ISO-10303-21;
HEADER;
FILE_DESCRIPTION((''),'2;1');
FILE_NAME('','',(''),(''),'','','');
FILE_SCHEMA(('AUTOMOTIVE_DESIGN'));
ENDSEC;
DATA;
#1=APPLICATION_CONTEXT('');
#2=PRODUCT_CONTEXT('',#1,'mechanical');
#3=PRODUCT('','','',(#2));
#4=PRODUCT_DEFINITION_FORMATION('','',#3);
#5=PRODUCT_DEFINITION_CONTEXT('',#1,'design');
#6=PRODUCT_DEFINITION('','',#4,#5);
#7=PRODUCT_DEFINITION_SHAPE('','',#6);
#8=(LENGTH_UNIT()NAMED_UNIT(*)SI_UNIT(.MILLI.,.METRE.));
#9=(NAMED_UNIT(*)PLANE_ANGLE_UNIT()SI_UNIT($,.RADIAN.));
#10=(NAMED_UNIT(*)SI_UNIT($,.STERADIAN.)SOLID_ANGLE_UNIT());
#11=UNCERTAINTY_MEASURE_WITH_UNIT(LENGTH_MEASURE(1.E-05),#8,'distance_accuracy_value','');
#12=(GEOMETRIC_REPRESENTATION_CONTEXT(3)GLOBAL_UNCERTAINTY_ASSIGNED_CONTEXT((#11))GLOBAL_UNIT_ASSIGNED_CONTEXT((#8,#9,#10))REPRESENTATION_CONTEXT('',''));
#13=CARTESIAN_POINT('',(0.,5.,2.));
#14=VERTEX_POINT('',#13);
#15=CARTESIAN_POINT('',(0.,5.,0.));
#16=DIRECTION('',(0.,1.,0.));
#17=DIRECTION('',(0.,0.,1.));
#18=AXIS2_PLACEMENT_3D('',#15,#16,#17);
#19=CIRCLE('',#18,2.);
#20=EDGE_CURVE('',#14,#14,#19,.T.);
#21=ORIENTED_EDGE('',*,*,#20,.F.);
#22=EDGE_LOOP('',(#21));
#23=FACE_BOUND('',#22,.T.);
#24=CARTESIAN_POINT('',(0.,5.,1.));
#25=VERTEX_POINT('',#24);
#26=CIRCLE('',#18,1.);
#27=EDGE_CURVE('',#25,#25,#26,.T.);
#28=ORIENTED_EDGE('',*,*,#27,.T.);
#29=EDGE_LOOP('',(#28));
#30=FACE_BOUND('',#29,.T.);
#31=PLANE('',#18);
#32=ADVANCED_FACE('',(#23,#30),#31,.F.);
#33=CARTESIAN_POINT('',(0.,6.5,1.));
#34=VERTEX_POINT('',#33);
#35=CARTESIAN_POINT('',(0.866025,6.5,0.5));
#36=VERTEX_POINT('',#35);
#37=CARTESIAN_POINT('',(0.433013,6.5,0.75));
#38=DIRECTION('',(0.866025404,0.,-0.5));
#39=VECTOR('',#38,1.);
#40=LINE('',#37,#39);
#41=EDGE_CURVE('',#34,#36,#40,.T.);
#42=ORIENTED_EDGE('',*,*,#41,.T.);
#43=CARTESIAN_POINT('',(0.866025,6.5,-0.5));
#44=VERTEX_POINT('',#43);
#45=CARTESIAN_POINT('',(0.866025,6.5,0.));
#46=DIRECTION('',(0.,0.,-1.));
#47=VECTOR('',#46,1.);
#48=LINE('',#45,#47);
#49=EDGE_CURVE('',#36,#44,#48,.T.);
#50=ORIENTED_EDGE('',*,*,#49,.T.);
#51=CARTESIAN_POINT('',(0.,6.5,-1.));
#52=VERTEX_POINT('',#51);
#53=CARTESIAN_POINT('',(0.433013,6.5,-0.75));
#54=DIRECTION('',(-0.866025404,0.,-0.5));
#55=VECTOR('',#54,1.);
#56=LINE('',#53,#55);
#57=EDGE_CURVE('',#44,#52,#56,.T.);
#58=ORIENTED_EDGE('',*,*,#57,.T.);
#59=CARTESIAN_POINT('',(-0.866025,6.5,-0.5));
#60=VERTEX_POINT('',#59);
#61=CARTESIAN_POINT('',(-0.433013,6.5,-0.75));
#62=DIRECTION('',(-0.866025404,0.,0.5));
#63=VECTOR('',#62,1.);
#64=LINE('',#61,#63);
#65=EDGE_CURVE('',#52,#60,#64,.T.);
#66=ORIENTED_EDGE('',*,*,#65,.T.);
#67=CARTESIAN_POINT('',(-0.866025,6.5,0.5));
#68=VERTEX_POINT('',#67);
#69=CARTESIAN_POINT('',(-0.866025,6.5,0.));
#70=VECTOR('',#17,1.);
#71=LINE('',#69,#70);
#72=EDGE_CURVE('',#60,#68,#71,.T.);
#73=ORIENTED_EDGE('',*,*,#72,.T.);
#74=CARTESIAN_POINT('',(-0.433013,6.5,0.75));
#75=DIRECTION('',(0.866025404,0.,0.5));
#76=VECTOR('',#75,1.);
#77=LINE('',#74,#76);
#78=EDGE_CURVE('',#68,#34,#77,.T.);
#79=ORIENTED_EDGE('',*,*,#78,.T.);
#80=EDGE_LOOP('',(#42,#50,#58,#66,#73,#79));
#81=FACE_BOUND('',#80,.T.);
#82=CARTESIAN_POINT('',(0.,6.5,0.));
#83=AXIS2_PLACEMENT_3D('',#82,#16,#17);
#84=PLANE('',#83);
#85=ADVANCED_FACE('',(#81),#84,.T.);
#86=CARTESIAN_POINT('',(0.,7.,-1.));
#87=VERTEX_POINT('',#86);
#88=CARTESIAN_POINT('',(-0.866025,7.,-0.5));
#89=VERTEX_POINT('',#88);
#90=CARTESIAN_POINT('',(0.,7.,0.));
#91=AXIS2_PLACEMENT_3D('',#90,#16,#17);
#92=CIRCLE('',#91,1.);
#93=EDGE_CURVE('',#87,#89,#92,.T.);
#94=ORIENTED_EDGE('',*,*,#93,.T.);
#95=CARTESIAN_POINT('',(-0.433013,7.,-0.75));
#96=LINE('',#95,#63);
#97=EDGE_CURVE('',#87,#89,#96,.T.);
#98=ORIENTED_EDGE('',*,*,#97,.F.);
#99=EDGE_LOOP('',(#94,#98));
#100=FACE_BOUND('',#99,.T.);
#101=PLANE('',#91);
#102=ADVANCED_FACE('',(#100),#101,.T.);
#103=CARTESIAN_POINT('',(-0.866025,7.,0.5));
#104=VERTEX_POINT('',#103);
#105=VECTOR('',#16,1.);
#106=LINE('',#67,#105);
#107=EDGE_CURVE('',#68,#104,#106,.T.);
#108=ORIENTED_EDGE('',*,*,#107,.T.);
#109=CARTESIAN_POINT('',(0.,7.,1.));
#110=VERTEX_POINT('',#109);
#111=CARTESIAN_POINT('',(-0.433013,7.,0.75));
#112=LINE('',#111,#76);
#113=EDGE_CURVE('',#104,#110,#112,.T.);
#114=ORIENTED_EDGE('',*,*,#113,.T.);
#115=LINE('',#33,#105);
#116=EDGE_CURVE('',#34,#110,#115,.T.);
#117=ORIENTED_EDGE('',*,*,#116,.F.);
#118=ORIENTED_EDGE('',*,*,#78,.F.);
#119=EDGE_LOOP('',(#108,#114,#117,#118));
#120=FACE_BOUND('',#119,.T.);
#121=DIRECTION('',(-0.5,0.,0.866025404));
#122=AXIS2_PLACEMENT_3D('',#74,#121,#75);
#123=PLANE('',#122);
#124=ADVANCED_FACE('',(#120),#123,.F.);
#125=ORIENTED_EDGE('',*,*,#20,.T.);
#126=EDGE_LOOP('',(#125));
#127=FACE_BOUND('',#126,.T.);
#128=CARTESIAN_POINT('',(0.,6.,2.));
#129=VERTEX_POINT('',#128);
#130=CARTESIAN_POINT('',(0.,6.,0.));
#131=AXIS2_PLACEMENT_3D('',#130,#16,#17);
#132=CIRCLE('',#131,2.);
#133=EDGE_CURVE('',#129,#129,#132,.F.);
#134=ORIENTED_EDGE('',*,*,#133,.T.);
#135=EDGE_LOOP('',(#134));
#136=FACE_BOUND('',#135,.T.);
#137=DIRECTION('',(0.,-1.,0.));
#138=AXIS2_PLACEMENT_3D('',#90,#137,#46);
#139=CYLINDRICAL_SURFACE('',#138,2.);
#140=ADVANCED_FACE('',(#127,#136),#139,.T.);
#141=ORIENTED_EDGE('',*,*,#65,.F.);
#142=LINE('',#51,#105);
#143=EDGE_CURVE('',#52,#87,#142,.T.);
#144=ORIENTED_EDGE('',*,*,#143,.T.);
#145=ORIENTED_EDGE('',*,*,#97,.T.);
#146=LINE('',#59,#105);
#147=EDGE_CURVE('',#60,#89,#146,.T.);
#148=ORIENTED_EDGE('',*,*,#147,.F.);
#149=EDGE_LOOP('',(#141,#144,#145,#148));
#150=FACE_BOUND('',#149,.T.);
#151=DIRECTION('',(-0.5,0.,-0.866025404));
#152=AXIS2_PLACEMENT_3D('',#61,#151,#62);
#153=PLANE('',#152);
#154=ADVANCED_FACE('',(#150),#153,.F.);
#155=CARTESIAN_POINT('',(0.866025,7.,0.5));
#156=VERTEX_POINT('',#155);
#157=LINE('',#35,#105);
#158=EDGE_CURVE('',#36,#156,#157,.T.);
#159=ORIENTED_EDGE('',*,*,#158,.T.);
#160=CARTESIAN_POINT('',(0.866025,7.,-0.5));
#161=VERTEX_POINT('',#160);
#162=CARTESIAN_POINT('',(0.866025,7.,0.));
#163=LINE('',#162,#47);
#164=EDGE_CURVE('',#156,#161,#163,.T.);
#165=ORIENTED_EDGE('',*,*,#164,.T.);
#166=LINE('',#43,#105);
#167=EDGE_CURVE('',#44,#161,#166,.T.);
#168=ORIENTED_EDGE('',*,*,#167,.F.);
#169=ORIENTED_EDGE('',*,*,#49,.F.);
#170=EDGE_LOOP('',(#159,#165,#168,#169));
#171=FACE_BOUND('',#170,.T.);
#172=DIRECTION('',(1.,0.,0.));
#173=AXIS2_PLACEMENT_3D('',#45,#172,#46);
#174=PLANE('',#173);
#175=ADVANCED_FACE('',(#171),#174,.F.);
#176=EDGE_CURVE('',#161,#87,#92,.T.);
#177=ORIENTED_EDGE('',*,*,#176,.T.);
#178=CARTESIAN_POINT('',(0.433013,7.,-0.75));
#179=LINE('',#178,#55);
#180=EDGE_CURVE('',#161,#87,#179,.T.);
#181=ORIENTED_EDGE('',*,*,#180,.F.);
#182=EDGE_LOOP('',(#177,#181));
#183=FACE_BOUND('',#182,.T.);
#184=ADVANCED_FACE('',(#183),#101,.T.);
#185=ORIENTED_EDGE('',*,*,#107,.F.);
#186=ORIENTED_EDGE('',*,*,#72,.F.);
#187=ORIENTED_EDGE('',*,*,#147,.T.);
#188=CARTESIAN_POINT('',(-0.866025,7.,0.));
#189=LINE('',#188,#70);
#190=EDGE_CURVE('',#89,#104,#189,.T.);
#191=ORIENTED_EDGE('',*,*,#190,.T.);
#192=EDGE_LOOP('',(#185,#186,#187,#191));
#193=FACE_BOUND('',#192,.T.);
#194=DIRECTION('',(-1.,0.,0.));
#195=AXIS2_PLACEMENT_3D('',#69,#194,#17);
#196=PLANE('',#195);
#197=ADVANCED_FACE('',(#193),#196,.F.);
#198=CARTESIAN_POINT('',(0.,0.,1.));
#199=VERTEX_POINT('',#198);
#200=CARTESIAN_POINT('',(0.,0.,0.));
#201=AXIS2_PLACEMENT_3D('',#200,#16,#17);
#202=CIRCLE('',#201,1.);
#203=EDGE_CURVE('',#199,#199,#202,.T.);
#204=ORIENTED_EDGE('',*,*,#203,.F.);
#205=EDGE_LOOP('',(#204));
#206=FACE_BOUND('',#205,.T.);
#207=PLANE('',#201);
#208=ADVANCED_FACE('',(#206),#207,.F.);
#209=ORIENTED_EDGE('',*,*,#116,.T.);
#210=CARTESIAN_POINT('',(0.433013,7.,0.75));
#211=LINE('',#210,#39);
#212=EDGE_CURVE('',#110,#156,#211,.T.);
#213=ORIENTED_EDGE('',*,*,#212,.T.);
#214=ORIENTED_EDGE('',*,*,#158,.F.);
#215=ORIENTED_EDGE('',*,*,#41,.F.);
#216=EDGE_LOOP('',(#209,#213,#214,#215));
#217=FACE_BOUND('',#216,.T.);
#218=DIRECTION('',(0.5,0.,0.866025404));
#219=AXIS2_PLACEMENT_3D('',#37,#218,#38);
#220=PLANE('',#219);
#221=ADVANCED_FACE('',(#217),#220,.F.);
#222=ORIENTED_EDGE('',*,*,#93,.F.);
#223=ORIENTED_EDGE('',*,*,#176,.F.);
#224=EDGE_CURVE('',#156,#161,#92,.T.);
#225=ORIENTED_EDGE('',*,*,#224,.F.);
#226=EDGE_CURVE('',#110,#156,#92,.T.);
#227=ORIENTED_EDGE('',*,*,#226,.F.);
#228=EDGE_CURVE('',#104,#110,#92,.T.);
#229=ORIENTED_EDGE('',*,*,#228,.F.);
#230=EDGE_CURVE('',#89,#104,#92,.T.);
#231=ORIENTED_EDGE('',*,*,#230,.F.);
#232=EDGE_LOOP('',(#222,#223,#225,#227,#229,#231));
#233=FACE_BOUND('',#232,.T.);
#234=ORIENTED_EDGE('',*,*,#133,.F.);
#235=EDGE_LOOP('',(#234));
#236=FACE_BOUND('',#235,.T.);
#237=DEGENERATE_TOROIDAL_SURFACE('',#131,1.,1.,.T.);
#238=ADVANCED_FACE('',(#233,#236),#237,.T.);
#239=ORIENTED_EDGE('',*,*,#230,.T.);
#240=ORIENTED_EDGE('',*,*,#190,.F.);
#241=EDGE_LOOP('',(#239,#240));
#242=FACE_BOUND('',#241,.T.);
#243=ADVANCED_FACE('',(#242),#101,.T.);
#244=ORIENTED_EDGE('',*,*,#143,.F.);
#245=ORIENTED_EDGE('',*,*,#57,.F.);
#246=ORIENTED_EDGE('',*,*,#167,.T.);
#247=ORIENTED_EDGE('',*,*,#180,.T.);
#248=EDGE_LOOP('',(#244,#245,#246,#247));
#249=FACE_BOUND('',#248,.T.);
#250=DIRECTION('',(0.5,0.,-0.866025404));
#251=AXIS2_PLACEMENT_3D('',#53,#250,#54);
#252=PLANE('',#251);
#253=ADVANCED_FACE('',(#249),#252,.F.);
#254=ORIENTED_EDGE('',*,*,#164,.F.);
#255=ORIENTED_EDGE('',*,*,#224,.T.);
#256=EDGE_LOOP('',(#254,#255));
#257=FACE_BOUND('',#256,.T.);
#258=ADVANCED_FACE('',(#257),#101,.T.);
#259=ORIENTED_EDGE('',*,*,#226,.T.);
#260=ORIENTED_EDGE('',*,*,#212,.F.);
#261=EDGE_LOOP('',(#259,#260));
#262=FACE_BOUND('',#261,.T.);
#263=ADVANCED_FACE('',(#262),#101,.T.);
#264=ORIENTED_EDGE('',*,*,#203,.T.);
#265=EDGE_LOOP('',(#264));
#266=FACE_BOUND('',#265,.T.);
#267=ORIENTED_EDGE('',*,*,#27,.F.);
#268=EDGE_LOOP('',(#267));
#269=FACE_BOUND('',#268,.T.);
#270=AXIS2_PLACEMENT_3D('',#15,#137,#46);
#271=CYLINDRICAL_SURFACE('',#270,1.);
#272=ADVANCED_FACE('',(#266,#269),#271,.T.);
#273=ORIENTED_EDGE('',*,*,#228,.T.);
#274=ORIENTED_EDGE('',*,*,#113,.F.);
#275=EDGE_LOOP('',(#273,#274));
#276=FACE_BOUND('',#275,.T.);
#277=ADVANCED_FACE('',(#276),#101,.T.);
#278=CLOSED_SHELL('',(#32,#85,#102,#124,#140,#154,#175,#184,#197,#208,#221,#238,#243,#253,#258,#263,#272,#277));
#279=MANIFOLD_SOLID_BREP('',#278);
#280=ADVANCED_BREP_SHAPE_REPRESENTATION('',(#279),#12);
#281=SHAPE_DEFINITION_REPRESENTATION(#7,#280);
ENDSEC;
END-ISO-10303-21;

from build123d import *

# Parameters (mm, degrees)
SKETCH1_R           = 1
BOSS_EXTRUDE1_DEPTH = 5
SKETCH2_R           = 2
BOSS_EXTRUDE2_DEPTH = 2
FILLET1_R           = 1
CUT_EXTRUDE1_DEPTH  = 0.5


with BuildPart() as part:
    # Sketch1 → Boss-Extrude1 (new body)
    with BuildSketch(Plane(origin=(0, 0, 0), x_dir=(1, 0, 0), z_dir=(0, 1, 0))):
        with Locations(Location((0, 0, 0), (0, 0, 270))):
            Circle(SKETCH1_R)
    extrude(amount=BOSS_EXTRUDE1_DEPTH)

    # Sketch2 → Boss-Extrude2 (add)
    with BuildSketch(Plane(origin=(0, 5, 0), x_dir=(1, 0, 0), z_dir=(0, 1, 0))):
        with Locations(Location((0, 0, 0), (0, 0, 270))):
            Circle(SKETCH2_R)
    extrude(amount=BOSS_EXTRUDE2_DEPTH)

    # Fillet1
    fillet1_edges = [part.edges().sort_by_distance(p)[0] for p in [
        (0, 7, -2),
    ]]
    fillet(fillet1_edges, radius=FILLET1_R)

    # Sketch3 → Cut-Extrude1 (cut)
    with BuildSketch(Plane(origin=(0, 7, 0), x_dir=(1, 0, 0), z_dir=(0, 1, 0))):
        Polygon((-0.866025404, 0.5), (0, 0), (0, 1), align=None)
        Polygon((-0.866025404, -0.5), (0, 0), (-0.866025404, 0.5), align=None)
        Polygon((-0.866025404, -0.5), (0, -1), (0, 0), align=None)
        Polygon((0, 0), (0, -1), (0.866025404, -0.5), align=None)
        Polygon((0.866025404, 0.5), (0, 0), (0.866025404, -0.5), align=None)
        Polygon((0, 1), (0, 0), (0.866025404, 0.5), align=None)
    extrude(amount=-CUT_EXTRUDE1_DEPTH, mode=Mode.SUBTRACT)


solid = part.part
